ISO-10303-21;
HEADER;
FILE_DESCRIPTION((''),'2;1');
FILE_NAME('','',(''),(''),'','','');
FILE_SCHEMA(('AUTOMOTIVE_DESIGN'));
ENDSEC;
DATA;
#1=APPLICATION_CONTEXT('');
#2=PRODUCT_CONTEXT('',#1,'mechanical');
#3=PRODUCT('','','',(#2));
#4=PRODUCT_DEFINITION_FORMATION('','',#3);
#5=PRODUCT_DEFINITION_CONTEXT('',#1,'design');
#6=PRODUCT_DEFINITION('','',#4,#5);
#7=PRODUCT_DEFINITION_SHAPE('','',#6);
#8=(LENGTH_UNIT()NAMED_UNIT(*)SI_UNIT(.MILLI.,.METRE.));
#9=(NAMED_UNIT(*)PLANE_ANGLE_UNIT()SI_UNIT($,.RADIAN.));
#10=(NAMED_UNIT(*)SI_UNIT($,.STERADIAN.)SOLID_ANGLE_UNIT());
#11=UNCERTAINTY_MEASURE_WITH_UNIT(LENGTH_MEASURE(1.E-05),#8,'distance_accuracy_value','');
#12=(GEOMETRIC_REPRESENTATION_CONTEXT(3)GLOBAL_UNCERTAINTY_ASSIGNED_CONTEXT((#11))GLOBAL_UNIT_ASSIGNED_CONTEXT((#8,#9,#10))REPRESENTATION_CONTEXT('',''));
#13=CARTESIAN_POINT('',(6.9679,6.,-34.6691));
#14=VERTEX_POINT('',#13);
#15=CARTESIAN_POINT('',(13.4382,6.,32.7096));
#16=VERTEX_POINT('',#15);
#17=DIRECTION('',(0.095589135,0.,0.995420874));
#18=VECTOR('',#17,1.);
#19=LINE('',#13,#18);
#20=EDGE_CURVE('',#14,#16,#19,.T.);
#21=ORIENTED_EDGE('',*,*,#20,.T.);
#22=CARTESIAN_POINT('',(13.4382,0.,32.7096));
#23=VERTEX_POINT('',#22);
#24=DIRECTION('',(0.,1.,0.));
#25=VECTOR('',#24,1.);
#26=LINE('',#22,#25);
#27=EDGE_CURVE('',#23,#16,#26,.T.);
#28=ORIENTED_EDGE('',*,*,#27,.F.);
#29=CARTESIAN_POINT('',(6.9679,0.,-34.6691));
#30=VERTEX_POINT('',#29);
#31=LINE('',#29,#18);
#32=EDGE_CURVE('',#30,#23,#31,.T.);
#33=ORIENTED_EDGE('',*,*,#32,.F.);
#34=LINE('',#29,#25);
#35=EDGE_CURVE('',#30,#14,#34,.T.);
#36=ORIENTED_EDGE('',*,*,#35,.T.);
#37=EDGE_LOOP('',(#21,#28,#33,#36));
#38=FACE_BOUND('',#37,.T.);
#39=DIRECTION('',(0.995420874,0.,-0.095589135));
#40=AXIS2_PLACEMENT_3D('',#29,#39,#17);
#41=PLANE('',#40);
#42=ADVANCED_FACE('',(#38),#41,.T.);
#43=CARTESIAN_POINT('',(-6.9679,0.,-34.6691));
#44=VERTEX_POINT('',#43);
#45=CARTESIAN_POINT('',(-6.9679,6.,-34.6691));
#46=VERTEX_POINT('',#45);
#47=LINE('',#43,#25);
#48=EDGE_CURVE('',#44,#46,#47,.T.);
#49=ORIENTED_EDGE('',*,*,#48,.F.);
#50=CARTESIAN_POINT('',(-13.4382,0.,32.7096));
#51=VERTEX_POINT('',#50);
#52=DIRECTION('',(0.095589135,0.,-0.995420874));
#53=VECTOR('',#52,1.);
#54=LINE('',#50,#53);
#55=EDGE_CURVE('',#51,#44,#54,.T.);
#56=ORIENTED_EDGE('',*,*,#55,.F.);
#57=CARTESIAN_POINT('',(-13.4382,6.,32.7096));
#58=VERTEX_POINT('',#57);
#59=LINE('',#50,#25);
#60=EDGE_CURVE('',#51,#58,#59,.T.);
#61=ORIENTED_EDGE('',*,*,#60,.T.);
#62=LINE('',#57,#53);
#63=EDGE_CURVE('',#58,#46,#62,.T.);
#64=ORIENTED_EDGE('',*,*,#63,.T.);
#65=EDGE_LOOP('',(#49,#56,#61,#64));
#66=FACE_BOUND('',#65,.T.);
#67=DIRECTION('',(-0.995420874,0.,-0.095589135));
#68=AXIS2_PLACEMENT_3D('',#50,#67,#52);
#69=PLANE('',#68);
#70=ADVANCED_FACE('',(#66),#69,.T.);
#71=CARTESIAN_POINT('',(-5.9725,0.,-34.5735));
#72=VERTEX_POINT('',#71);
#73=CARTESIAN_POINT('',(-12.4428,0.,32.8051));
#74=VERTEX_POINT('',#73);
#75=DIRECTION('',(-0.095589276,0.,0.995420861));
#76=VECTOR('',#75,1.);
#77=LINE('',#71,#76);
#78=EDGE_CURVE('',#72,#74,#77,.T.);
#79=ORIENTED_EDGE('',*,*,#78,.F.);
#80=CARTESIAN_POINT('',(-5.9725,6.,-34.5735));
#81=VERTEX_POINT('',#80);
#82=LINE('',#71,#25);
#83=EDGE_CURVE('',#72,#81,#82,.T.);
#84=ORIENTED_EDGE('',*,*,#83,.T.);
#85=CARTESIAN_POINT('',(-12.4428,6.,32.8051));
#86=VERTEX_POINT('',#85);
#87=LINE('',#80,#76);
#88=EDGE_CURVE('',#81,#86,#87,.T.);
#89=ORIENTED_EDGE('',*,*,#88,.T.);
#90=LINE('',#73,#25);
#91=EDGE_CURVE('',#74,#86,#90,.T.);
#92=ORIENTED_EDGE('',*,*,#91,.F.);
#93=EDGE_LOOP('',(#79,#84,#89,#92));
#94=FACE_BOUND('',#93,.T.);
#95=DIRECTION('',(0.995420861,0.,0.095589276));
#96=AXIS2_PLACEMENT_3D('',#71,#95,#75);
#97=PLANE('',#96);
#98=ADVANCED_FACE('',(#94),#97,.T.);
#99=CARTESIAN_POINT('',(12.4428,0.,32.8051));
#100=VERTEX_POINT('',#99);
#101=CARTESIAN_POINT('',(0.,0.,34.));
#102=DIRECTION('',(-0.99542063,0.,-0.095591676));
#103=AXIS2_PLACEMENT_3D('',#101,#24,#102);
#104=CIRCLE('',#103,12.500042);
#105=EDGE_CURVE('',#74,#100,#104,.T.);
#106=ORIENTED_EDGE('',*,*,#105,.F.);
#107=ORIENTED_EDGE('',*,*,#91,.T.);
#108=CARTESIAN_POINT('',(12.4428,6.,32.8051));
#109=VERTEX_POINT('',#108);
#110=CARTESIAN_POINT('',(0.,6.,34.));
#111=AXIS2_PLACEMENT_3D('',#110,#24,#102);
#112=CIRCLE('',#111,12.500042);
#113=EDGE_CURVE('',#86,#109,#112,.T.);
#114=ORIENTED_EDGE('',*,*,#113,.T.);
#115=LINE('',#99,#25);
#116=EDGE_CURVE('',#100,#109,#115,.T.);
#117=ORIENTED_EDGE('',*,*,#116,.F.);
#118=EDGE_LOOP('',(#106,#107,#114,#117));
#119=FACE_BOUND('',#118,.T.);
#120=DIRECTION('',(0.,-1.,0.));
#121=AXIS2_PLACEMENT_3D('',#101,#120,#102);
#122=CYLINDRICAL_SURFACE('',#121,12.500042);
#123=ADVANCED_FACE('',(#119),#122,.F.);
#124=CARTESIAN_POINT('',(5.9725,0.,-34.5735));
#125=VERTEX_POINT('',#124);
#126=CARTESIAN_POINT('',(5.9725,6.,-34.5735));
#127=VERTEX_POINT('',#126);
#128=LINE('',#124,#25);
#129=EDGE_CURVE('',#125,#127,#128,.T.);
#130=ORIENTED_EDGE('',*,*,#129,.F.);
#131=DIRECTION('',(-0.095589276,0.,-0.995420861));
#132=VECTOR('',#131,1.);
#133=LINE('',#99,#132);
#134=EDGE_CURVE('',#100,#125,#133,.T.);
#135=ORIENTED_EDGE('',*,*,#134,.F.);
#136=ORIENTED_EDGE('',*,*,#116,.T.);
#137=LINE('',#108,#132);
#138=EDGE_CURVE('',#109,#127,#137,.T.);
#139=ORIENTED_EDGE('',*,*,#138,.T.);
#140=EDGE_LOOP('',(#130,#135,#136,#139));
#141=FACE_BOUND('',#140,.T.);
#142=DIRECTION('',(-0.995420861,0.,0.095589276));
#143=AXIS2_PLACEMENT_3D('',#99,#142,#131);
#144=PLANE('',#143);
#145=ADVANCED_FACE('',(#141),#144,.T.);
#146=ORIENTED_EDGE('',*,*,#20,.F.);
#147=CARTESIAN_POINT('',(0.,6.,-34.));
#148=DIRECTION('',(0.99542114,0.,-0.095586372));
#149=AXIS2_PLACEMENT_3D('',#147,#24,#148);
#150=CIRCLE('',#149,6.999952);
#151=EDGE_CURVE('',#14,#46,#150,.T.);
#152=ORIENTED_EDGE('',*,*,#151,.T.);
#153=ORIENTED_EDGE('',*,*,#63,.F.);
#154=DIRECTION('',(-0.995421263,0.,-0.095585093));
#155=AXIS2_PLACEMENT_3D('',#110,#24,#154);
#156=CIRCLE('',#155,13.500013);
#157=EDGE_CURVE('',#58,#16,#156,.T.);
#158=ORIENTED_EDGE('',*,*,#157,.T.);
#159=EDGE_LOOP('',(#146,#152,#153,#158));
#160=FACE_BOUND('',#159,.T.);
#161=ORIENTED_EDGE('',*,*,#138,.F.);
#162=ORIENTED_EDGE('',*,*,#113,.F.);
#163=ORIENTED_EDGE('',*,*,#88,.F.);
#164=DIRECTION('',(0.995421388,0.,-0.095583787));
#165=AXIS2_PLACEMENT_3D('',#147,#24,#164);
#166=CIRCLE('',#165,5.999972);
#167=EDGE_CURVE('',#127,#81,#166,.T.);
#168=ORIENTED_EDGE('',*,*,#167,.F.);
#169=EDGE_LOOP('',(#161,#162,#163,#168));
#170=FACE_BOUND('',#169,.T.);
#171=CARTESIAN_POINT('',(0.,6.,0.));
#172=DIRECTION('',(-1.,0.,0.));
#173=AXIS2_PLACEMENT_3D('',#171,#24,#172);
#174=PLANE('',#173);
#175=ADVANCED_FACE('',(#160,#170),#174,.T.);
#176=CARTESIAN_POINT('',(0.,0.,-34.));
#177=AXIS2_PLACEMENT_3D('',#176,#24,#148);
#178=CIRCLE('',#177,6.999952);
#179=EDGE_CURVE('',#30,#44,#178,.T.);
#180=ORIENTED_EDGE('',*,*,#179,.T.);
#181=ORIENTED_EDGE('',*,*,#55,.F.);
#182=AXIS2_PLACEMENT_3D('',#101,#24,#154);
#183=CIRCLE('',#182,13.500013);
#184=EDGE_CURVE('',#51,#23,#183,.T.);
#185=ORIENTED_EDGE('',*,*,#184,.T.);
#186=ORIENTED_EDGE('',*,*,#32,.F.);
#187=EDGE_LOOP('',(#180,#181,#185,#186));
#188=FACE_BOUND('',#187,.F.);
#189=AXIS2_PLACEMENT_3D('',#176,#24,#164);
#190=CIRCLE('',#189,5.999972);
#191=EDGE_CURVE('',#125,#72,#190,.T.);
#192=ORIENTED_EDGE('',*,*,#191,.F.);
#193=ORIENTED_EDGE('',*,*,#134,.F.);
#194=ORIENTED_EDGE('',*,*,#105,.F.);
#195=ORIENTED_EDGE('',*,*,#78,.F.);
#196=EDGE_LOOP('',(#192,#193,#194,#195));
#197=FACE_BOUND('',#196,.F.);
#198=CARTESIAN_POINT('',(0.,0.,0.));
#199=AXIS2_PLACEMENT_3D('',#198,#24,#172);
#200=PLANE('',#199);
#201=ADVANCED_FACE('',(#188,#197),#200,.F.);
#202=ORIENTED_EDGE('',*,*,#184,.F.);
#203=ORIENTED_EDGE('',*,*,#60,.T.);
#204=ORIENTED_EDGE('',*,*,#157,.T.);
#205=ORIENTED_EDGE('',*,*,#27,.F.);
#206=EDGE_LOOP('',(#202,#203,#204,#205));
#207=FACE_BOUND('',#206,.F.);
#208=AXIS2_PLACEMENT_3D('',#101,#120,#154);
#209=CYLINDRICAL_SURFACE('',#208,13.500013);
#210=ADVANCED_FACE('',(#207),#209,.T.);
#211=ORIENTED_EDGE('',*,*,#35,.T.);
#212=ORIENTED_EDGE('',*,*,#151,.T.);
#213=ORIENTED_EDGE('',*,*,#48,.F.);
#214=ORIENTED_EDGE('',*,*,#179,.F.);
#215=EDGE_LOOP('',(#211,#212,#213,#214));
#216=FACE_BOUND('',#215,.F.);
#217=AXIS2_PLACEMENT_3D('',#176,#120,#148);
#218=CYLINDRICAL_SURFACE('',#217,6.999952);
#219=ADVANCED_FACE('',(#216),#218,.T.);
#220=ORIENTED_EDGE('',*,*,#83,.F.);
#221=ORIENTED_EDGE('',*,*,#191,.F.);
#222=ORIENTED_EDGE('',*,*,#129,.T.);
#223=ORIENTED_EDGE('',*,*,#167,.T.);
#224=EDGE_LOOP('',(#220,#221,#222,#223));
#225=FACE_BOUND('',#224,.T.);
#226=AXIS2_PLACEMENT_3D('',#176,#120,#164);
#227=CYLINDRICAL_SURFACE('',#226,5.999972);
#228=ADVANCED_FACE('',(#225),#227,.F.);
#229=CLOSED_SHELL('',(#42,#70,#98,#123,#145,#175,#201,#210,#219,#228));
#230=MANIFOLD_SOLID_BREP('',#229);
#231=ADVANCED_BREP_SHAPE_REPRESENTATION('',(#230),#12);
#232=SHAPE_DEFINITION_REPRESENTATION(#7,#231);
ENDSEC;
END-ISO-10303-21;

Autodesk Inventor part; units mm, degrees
ref_plane "YZ Plane" through (0, 0, 0) normal (1, 0, 0) x (0, 1, 0)
ref_plane "XZ Plane" through (0, 0, 0) normal (0, 1, 0) x (-1, 0, 0)
ref_plane "XY Plane" through (0, 0, 0) normal (0, 0, 1) x (1, 0, 0)
sketch "Sketch1" plane through (0, 0, 0) normal (0, 1, 0) x (-1, 0, 0)
  line L0 (0, -23.2452) -> (0, 23.2452) construction
  line L1 (0, -34) -> (0, 34) construction
  arc A0 (12.4428, 32.8051) -> (-12.4428, 32.8051) centre (0, 34) ccw
  arc A1 (-5.9725, -34.5735) -> (5.9725, -34.5735) centre (0, -34) ccw
  line L2 (-12.4428, 32.8051) -> (-5.9725, -34.5735)
  line L3 (5.9725, -34.5735) -> (12.4428, 32.8051)
  arc A2 (13.4382, 32.7096) -> (-13.4382, 32.7096) centre (0, 34) ccw
  line L4 (13.4382, 32.7096) -> (6.9679, -34.6691)
  arc A3 (-6.9679, -34.6691) -> (6.9679, -34.6691) centre (0, -34) ccw
  line L5 (-6.9679, -34.6691) -> (-13.4382, 32.7096)
  point P0 (0, 0)
  dimension "d5" = 25
  dimension "d6" = 12
  dimension "d7" = 68
  dimension "d8" = 1
extrude "Extrusion1" add sketch "Sketch1" along normal blind 6
properties part number "Z Axis Belt" material "Rubber"
